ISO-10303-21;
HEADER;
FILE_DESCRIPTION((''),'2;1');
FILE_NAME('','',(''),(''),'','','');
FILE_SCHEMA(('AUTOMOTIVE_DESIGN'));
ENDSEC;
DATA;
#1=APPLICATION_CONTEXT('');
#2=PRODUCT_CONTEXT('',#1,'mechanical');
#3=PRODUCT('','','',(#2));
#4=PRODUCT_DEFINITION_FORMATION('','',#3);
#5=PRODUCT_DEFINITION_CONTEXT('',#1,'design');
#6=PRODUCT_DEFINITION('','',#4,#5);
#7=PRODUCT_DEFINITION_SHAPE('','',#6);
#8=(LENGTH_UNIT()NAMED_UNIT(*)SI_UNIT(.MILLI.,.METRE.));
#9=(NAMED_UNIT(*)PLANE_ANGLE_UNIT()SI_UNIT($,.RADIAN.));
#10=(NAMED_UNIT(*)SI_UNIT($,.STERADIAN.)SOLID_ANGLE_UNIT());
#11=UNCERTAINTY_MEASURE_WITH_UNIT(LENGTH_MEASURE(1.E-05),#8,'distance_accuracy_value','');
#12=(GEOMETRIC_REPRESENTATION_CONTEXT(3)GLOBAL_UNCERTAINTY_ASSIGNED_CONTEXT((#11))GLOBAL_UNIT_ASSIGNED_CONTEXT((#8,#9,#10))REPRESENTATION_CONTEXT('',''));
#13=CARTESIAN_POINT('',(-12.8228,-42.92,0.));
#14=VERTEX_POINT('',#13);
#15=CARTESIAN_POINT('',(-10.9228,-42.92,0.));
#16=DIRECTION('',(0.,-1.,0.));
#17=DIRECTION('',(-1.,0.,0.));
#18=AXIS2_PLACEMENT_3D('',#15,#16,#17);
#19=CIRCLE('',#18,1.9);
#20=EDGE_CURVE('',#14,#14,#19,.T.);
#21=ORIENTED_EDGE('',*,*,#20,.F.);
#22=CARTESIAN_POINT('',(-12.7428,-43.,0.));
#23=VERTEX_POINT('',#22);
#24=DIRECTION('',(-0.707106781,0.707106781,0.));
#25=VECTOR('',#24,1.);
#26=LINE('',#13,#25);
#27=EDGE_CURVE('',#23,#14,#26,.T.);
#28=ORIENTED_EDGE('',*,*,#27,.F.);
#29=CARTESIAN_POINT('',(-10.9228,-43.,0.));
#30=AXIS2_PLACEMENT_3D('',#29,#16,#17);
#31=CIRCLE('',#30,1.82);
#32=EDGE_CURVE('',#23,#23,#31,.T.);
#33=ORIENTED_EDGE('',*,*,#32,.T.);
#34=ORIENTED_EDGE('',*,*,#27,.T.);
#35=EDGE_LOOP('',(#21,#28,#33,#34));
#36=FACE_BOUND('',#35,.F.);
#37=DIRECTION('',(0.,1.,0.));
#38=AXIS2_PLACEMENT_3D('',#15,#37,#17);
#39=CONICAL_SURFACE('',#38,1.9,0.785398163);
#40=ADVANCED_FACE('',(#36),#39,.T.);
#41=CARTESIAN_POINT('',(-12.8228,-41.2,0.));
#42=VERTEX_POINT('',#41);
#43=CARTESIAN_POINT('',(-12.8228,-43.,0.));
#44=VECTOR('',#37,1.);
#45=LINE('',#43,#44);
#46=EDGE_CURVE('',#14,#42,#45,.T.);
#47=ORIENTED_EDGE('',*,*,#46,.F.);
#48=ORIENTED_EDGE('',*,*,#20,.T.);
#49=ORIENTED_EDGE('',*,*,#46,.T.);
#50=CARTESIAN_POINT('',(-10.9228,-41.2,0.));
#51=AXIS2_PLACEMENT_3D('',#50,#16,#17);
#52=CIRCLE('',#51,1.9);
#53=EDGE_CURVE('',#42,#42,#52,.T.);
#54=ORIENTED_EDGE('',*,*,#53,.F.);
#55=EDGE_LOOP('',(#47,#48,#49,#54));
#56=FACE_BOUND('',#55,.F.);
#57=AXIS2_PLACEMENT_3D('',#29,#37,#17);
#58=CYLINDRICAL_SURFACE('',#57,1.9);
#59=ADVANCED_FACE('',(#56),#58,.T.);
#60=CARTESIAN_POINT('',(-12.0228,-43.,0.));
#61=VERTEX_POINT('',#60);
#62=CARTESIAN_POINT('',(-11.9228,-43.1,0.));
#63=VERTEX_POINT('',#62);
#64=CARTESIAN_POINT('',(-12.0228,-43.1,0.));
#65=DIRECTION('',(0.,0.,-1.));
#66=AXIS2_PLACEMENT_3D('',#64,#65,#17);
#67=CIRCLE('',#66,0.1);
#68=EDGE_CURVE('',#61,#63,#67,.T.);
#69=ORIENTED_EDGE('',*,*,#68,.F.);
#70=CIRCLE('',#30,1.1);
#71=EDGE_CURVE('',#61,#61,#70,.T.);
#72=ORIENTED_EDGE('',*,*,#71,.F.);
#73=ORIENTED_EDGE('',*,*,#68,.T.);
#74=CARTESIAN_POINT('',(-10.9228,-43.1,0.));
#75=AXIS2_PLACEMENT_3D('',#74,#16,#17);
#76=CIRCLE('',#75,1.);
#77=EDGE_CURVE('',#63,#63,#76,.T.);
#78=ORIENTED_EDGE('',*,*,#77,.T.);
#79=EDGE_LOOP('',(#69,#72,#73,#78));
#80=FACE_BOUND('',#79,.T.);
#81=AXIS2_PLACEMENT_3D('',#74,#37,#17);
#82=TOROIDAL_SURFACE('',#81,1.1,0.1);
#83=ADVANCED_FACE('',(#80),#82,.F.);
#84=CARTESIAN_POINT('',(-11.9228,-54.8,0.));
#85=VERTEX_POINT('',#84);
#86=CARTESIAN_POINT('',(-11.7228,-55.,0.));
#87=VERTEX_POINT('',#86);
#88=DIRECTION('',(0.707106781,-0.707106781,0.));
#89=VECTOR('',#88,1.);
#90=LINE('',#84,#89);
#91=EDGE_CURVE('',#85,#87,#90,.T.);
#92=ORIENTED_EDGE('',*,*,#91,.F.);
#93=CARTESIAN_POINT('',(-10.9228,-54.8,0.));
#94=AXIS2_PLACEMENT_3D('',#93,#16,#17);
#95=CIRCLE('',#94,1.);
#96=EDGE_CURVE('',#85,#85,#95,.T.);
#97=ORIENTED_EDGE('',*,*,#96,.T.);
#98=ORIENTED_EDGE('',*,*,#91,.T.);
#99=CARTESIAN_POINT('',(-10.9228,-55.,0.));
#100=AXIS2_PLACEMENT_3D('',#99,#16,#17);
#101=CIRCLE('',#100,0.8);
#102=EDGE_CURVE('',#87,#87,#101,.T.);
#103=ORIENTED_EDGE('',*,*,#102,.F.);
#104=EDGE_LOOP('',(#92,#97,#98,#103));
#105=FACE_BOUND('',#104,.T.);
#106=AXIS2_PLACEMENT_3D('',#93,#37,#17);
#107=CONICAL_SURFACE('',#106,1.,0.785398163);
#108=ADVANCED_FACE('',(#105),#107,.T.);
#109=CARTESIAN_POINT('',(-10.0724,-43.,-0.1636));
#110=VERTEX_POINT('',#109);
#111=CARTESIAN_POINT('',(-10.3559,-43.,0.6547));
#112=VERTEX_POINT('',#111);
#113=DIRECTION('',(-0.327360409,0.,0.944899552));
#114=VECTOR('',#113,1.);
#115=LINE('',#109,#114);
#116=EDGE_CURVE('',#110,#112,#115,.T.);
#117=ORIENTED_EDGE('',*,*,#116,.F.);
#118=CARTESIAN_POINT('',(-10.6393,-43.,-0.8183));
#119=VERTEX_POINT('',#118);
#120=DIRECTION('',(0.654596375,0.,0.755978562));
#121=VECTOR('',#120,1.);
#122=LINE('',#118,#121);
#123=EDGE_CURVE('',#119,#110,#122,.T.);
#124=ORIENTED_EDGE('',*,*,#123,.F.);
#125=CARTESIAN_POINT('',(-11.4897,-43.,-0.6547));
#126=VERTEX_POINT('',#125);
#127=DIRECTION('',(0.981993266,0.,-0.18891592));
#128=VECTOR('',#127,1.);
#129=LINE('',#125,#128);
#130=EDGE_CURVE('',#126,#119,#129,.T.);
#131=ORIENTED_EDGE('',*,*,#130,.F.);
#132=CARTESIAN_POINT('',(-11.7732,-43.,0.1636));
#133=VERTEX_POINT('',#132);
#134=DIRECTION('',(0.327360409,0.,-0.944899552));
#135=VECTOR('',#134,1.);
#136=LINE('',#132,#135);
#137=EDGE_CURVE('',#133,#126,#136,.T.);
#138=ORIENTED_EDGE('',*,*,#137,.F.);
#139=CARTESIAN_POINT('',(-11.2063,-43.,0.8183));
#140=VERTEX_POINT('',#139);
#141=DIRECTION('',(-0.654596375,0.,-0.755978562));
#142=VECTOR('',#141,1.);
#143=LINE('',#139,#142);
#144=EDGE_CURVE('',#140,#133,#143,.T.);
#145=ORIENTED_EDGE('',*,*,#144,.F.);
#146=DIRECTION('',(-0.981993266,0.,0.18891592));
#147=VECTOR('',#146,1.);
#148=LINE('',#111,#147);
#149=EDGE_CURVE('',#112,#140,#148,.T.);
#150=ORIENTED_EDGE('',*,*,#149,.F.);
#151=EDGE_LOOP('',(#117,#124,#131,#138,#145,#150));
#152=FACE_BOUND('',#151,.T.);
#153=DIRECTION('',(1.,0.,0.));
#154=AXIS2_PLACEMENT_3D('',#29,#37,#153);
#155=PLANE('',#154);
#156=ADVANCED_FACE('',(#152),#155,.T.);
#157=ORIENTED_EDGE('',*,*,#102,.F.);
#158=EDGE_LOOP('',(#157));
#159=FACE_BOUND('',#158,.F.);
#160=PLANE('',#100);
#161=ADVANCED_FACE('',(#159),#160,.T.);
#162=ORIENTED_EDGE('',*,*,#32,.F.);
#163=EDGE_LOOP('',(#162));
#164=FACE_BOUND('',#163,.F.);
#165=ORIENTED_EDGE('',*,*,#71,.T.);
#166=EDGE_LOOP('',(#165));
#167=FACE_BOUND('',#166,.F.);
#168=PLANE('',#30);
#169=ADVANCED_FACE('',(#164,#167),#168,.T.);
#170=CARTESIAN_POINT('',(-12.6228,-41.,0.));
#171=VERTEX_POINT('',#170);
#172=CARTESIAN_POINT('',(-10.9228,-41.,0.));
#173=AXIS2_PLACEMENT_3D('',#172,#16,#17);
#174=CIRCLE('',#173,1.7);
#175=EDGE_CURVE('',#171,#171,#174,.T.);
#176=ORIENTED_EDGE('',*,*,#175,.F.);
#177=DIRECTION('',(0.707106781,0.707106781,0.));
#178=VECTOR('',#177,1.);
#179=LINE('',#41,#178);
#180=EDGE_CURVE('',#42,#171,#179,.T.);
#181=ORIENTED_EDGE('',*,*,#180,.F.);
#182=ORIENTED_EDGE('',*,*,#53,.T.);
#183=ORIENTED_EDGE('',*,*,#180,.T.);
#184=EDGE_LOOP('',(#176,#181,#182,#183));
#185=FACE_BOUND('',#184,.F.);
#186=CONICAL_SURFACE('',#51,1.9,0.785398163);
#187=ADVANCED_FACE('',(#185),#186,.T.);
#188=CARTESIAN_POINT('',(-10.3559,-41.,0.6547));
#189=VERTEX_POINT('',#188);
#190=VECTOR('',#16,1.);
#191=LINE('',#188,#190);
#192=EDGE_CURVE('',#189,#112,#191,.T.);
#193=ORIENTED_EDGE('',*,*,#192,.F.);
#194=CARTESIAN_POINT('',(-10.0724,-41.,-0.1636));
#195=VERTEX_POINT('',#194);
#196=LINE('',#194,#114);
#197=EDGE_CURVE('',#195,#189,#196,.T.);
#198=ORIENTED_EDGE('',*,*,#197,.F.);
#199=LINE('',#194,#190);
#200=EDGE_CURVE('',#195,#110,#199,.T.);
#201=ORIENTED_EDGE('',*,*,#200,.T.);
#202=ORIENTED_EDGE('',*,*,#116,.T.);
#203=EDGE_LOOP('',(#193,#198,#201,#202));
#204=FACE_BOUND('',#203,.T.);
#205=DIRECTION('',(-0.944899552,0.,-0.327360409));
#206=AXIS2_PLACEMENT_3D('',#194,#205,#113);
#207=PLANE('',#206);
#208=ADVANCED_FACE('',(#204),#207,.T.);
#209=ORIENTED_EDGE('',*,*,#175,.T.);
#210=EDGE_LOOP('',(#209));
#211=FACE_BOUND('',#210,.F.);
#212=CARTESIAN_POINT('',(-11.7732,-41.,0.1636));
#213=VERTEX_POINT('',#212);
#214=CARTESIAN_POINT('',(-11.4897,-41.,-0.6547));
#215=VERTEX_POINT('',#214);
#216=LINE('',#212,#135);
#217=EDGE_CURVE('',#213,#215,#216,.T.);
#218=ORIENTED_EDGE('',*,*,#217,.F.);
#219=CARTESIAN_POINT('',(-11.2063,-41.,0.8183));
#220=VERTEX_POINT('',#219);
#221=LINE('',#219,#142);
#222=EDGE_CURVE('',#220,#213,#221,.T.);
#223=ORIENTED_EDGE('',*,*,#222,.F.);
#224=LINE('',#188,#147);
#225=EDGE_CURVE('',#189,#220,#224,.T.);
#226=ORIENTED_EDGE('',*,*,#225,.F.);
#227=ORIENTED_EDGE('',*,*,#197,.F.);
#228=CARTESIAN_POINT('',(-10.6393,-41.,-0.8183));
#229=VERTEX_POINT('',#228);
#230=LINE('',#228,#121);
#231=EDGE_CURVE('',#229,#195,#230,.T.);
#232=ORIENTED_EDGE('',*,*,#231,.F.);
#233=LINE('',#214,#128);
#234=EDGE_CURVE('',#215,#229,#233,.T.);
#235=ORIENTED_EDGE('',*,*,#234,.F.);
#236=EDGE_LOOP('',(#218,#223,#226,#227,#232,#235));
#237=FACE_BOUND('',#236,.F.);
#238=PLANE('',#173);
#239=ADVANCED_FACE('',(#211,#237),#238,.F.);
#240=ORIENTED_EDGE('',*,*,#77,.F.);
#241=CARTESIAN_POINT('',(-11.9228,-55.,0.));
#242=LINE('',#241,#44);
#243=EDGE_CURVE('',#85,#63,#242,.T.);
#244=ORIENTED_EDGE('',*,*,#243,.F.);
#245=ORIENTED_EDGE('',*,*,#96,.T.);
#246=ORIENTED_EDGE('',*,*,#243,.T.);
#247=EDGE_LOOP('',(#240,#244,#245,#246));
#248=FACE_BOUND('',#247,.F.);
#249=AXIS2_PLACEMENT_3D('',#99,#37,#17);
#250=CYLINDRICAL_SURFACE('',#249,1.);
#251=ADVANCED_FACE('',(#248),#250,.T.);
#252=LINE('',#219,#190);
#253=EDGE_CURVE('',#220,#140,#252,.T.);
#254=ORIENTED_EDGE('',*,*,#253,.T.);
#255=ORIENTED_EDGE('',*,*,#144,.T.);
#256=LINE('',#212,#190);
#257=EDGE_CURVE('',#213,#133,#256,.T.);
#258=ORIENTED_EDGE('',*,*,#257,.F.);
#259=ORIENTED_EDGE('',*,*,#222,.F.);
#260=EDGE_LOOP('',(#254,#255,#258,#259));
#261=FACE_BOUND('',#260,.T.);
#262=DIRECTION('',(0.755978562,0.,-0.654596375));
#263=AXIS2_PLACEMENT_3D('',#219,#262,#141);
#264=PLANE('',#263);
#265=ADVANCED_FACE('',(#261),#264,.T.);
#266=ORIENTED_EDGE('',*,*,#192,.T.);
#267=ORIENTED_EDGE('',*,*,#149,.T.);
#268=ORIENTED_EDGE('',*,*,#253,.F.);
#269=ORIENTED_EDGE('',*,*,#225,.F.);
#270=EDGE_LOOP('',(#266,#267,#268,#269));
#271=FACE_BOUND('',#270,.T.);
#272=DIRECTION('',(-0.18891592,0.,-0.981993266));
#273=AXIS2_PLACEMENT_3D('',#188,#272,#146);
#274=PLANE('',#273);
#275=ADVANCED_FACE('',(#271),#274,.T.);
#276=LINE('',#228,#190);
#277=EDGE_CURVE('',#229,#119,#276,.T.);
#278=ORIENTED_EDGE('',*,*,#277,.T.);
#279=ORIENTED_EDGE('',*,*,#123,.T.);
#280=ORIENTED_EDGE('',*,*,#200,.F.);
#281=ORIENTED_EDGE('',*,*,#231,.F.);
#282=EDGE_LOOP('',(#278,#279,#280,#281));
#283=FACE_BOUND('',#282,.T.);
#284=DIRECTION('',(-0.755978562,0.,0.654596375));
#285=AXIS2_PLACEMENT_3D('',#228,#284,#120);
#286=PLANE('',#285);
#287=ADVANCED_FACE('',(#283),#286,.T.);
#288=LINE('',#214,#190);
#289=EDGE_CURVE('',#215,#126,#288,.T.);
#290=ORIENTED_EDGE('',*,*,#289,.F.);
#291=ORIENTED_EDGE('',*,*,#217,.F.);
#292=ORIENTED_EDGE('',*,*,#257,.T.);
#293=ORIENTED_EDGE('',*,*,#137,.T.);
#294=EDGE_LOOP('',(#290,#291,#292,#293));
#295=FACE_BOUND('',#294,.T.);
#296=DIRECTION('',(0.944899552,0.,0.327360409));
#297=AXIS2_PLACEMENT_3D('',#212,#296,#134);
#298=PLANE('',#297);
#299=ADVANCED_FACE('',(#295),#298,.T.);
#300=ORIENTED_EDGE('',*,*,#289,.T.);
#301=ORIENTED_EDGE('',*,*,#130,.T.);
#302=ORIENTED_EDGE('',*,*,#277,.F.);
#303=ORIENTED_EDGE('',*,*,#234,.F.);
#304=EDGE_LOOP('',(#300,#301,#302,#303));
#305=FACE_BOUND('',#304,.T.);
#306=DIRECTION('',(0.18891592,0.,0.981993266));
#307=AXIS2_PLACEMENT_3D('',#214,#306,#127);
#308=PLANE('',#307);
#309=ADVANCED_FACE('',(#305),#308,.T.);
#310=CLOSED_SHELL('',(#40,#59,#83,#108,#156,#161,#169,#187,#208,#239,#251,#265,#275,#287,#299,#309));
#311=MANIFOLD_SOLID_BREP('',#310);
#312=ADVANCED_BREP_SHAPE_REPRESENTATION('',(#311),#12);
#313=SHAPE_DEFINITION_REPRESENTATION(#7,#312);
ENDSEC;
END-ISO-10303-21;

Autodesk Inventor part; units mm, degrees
ref_plane "YZ Plane" through (0, 0, 0) normal (1, 0, 0) x (0, 1, 0)
ref_plane "XZ Plane" through (0, 0, 0) normal (0, 1, 0) x (-1, 0, 0)
ref_plane "XY Plane" through (0, 0, 0) normal (0, 0, 1) x (1, 0, 0)
sketch "Sketch1" plane through (0, 0, 0) normal (0, 0, 1) x (1, 0, 0)
  line L0 (-10.9228, -43) -> (-12.8228, -43)
  line L1 (-12.8228, -43) -> (-12.8228, -41)
  line L2 (-12.8228, -41) -> (-10.9228, -41)
  line L3 (-10.9228, -41) -> (-10.9228, -43)
  line L4 (-10.9228, -43) -> (-10.9228, -55)
  line L5 (-10.9228, -55) -> (-11.9228, -55)
  line L6 (-11.9228, -55) -> (-11.9228, -43)
  dimension "d0" = 1.9
  dimension "d1" = 2
  dimension "d3" = 1
  dimension "d16" = 12
revolve "Revolution1" add sketch "Sketch1" angle 360 about axis through (-10.9228, -43, 0) along (0, -1, 0)
chamfer "Chamfer1" distance 0.2 angle 45 1 edges at (-9.0228, -41, 0)
sketch "Boceto2" plane through (-10.9228, -41, 0) normal (0, 1, 0) x (1, 0, 0)
  line L0 (0.5669, -0.6547) -> (-0.2835, -0.8183)
  line L1 (-0.2835, -0.8183) -> (-0.8504, -0.1636)
  line L2 (-0.8504, -0.1636) -> (-0.5669, 0.6547)
  line L3 (-0.5669, 0.6547) -> (0.2835, 0.8183)
  line L4 (0.2835, 0.8183) -> (0.8504, 0.1636)
  line L5 (0.8504, 0.1636) -> (0.5669, -0.6547)
  point P0 (10.9228, 0)
  point P1 (0, 0)
  dimension "d11" = 1.5
extrude "Extrusión1" cut sketch "Boceto2" against normal blind 2
fillet "Fillet1" radius 0.1 1 edges at (-9.9228, -43, 0)
chamfer "Chamfer3" distance 0.2 angle 45 1 edges at (-9.9228, -55, 0)
thread "Thread2" size "M2x0.4" class "6g" standard "ISO Metric profile" length 98
chamfer "Chamfer4" distance 0.08 angle 45 1 edges at (-9.0228, -43, 0)
properties part number "Tornillo Allen cabeza cilindrica M2x16mm"
